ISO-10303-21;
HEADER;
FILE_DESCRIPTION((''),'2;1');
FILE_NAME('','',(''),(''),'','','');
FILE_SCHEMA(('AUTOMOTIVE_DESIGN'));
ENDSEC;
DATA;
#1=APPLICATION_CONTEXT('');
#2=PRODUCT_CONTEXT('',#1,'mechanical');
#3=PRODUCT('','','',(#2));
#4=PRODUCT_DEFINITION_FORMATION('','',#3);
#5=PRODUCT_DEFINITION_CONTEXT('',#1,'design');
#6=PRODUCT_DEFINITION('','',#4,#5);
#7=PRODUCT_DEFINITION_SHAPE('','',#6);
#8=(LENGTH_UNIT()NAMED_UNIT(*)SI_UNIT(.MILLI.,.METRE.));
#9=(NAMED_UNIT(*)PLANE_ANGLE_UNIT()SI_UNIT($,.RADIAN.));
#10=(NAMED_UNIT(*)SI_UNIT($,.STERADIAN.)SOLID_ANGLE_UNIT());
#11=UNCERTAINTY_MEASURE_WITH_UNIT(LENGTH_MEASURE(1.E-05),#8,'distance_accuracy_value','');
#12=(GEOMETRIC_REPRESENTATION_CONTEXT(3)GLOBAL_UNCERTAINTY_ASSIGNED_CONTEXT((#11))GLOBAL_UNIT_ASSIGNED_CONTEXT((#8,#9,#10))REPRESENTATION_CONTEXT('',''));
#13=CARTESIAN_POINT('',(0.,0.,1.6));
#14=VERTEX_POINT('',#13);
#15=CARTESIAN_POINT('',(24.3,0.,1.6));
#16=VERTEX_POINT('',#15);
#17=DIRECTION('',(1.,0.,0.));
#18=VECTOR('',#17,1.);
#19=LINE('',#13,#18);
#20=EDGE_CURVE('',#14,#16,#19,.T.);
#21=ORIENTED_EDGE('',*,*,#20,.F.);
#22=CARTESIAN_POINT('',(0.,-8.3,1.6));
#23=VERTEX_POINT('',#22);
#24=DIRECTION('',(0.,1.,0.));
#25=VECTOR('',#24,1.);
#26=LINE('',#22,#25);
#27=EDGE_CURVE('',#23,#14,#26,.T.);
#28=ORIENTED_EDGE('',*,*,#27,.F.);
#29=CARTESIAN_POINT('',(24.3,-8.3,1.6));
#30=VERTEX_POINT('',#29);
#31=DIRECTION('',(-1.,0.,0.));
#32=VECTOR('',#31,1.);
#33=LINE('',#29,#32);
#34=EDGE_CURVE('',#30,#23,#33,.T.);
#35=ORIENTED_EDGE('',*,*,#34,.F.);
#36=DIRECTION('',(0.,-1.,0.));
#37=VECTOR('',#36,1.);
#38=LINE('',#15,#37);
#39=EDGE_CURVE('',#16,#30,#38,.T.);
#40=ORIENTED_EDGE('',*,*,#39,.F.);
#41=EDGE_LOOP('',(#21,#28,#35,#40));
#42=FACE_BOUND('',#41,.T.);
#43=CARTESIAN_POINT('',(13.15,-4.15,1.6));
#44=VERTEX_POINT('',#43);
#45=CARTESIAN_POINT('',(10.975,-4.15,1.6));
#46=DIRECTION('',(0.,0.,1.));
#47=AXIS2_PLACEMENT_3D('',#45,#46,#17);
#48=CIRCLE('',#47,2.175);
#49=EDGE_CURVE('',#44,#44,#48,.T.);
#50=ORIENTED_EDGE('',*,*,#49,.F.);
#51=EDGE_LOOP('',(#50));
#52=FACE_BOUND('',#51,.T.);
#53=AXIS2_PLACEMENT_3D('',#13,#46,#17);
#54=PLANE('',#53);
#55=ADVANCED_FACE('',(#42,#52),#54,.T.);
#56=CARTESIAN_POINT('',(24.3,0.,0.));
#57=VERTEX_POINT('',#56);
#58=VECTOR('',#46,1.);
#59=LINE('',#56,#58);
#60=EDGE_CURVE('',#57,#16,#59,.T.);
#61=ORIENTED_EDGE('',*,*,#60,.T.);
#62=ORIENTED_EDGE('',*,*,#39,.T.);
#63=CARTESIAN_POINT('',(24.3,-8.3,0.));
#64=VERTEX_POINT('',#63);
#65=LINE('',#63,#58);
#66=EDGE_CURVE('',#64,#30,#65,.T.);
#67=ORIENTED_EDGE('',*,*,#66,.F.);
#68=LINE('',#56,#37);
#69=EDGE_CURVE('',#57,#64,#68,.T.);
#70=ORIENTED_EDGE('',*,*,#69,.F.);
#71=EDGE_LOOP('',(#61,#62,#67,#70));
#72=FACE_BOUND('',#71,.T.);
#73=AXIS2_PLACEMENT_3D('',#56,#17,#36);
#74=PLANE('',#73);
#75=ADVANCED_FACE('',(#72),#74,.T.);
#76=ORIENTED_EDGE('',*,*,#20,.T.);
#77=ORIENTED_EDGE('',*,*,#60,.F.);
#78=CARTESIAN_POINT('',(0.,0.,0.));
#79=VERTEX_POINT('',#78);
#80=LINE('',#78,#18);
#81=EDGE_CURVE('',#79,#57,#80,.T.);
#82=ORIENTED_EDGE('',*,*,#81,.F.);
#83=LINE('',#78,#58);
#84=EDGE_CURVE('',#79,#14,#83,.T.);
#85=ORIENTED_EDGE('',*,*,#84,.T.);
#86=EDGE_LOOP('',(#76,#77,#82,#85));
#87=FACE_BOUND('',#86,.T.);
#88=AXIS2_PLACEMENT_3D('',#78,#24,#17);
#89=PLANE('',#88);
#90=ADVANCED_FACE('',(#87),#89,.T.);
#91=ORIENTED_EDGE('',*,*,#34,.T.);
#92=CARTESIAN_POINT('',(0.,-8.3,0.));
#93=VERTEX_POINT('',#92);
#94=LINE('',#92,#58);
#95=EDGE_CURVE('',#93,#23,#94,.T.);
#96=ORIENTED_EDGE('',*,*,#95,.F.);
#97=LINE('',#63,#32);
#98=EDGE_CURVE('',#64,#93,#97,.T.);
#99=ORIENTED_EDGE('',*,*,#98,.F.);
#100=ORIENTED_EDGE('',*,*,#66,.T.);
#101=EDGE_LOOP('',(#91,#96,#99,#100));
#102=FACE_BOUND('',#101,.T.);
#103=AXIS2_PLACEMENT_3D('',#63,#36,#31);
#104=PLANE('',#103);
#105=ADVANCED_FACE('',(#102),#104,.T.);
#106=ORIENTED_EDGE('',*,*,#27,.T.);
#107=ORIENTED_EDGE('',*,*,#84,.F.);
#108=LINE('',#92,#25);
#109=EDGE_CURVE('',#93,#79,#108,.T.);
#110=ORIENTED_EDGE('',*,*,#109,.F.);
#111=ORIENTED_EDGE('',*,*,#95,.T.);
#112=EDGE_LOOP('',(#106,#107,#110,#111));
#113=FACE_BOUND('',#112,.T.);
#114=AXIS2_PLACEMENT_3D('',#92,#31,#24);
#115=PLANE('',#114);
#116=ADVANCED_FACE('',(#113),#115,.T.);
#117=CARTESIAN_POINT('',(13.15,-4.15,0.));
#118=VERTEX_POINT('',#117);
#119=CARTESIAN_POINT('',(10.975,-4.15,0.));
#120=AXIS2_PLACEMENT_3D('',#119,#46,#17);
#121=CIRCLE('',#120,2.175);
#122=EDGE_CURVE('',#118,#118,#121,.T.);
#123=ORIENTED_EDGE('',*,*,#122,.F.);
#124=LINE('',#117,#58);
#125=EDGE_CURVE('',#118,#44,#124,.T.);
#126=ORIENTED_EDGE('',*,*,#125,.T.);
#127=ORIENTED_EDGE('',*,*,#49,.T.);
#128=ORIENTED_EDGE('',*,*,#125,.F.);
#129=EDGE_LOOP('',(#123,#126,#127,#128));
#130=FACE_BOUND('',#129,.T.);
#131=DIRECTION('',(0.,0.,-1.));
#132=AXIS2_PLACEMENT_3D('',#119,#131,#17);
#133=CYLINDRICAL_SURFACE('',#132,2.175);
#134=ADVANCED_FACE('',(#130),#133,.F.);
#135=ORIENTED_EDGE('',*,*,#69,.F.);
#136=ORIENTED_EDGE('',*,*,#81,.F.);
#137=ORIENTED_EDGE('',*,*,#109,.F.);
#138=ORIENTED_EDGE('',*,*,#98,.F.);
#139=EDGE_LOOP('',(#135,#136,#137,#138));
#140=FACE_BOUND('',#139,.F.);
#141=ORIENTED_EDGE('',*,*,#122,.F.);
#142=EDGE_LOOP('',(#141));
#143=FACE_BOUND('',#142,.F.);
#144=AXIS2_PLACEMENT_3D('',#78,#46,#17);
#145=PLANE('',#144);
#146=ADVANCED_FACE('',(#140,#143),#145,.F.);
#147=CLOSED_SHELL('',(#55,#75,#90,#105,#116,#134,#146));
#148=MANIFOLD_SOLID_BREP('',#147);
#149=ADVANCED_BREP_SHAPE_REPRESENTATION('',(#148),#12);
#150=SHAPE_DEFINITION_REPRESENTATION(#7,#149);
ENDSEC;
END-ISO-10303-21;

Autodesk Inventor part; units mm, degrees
ref_plane "YZ Plane" through (0, 0, 0) normal (1, 0, 0) x (0, 1, 0)
ref_plane "XZ Plane" through (0, 0, 0) normal (0, 1, 0) x (-1, 0, 0)
ref_plane "XY Plane" through (0, 0, 0) normal (0, 0, 1) x (1, 0, 0)
sketch "Skizze1" plane through (0, 0, 0) normal (0, 0, 1) x (1, 0, 0)
  line L0 (0, 0) -> (24.3, 0)
  line L1 (24.3, 0) -> (24.3, -8.3)
  line L2 (24.3, -8.3) -> (0, -8.3)
  line L3 (0, -8.3) -> (0, 0)
  circle A0 centre (10.975, -4.15) radius 2.175
  dimension "d0" = 8.3
  dimension "d1" = 24.3
  dimension "d2" = 4.15
  dimension "d3" = 4.15
  dimension "d4" = 4.35
  dimension "d5" = 13.325
extrude "Extrusion1" add sketch "Skizze1" along normal blind 1.6
equation "\"d2\" = d3"
properties part number "Grundplatte" material "PBT-Kunststoff"
